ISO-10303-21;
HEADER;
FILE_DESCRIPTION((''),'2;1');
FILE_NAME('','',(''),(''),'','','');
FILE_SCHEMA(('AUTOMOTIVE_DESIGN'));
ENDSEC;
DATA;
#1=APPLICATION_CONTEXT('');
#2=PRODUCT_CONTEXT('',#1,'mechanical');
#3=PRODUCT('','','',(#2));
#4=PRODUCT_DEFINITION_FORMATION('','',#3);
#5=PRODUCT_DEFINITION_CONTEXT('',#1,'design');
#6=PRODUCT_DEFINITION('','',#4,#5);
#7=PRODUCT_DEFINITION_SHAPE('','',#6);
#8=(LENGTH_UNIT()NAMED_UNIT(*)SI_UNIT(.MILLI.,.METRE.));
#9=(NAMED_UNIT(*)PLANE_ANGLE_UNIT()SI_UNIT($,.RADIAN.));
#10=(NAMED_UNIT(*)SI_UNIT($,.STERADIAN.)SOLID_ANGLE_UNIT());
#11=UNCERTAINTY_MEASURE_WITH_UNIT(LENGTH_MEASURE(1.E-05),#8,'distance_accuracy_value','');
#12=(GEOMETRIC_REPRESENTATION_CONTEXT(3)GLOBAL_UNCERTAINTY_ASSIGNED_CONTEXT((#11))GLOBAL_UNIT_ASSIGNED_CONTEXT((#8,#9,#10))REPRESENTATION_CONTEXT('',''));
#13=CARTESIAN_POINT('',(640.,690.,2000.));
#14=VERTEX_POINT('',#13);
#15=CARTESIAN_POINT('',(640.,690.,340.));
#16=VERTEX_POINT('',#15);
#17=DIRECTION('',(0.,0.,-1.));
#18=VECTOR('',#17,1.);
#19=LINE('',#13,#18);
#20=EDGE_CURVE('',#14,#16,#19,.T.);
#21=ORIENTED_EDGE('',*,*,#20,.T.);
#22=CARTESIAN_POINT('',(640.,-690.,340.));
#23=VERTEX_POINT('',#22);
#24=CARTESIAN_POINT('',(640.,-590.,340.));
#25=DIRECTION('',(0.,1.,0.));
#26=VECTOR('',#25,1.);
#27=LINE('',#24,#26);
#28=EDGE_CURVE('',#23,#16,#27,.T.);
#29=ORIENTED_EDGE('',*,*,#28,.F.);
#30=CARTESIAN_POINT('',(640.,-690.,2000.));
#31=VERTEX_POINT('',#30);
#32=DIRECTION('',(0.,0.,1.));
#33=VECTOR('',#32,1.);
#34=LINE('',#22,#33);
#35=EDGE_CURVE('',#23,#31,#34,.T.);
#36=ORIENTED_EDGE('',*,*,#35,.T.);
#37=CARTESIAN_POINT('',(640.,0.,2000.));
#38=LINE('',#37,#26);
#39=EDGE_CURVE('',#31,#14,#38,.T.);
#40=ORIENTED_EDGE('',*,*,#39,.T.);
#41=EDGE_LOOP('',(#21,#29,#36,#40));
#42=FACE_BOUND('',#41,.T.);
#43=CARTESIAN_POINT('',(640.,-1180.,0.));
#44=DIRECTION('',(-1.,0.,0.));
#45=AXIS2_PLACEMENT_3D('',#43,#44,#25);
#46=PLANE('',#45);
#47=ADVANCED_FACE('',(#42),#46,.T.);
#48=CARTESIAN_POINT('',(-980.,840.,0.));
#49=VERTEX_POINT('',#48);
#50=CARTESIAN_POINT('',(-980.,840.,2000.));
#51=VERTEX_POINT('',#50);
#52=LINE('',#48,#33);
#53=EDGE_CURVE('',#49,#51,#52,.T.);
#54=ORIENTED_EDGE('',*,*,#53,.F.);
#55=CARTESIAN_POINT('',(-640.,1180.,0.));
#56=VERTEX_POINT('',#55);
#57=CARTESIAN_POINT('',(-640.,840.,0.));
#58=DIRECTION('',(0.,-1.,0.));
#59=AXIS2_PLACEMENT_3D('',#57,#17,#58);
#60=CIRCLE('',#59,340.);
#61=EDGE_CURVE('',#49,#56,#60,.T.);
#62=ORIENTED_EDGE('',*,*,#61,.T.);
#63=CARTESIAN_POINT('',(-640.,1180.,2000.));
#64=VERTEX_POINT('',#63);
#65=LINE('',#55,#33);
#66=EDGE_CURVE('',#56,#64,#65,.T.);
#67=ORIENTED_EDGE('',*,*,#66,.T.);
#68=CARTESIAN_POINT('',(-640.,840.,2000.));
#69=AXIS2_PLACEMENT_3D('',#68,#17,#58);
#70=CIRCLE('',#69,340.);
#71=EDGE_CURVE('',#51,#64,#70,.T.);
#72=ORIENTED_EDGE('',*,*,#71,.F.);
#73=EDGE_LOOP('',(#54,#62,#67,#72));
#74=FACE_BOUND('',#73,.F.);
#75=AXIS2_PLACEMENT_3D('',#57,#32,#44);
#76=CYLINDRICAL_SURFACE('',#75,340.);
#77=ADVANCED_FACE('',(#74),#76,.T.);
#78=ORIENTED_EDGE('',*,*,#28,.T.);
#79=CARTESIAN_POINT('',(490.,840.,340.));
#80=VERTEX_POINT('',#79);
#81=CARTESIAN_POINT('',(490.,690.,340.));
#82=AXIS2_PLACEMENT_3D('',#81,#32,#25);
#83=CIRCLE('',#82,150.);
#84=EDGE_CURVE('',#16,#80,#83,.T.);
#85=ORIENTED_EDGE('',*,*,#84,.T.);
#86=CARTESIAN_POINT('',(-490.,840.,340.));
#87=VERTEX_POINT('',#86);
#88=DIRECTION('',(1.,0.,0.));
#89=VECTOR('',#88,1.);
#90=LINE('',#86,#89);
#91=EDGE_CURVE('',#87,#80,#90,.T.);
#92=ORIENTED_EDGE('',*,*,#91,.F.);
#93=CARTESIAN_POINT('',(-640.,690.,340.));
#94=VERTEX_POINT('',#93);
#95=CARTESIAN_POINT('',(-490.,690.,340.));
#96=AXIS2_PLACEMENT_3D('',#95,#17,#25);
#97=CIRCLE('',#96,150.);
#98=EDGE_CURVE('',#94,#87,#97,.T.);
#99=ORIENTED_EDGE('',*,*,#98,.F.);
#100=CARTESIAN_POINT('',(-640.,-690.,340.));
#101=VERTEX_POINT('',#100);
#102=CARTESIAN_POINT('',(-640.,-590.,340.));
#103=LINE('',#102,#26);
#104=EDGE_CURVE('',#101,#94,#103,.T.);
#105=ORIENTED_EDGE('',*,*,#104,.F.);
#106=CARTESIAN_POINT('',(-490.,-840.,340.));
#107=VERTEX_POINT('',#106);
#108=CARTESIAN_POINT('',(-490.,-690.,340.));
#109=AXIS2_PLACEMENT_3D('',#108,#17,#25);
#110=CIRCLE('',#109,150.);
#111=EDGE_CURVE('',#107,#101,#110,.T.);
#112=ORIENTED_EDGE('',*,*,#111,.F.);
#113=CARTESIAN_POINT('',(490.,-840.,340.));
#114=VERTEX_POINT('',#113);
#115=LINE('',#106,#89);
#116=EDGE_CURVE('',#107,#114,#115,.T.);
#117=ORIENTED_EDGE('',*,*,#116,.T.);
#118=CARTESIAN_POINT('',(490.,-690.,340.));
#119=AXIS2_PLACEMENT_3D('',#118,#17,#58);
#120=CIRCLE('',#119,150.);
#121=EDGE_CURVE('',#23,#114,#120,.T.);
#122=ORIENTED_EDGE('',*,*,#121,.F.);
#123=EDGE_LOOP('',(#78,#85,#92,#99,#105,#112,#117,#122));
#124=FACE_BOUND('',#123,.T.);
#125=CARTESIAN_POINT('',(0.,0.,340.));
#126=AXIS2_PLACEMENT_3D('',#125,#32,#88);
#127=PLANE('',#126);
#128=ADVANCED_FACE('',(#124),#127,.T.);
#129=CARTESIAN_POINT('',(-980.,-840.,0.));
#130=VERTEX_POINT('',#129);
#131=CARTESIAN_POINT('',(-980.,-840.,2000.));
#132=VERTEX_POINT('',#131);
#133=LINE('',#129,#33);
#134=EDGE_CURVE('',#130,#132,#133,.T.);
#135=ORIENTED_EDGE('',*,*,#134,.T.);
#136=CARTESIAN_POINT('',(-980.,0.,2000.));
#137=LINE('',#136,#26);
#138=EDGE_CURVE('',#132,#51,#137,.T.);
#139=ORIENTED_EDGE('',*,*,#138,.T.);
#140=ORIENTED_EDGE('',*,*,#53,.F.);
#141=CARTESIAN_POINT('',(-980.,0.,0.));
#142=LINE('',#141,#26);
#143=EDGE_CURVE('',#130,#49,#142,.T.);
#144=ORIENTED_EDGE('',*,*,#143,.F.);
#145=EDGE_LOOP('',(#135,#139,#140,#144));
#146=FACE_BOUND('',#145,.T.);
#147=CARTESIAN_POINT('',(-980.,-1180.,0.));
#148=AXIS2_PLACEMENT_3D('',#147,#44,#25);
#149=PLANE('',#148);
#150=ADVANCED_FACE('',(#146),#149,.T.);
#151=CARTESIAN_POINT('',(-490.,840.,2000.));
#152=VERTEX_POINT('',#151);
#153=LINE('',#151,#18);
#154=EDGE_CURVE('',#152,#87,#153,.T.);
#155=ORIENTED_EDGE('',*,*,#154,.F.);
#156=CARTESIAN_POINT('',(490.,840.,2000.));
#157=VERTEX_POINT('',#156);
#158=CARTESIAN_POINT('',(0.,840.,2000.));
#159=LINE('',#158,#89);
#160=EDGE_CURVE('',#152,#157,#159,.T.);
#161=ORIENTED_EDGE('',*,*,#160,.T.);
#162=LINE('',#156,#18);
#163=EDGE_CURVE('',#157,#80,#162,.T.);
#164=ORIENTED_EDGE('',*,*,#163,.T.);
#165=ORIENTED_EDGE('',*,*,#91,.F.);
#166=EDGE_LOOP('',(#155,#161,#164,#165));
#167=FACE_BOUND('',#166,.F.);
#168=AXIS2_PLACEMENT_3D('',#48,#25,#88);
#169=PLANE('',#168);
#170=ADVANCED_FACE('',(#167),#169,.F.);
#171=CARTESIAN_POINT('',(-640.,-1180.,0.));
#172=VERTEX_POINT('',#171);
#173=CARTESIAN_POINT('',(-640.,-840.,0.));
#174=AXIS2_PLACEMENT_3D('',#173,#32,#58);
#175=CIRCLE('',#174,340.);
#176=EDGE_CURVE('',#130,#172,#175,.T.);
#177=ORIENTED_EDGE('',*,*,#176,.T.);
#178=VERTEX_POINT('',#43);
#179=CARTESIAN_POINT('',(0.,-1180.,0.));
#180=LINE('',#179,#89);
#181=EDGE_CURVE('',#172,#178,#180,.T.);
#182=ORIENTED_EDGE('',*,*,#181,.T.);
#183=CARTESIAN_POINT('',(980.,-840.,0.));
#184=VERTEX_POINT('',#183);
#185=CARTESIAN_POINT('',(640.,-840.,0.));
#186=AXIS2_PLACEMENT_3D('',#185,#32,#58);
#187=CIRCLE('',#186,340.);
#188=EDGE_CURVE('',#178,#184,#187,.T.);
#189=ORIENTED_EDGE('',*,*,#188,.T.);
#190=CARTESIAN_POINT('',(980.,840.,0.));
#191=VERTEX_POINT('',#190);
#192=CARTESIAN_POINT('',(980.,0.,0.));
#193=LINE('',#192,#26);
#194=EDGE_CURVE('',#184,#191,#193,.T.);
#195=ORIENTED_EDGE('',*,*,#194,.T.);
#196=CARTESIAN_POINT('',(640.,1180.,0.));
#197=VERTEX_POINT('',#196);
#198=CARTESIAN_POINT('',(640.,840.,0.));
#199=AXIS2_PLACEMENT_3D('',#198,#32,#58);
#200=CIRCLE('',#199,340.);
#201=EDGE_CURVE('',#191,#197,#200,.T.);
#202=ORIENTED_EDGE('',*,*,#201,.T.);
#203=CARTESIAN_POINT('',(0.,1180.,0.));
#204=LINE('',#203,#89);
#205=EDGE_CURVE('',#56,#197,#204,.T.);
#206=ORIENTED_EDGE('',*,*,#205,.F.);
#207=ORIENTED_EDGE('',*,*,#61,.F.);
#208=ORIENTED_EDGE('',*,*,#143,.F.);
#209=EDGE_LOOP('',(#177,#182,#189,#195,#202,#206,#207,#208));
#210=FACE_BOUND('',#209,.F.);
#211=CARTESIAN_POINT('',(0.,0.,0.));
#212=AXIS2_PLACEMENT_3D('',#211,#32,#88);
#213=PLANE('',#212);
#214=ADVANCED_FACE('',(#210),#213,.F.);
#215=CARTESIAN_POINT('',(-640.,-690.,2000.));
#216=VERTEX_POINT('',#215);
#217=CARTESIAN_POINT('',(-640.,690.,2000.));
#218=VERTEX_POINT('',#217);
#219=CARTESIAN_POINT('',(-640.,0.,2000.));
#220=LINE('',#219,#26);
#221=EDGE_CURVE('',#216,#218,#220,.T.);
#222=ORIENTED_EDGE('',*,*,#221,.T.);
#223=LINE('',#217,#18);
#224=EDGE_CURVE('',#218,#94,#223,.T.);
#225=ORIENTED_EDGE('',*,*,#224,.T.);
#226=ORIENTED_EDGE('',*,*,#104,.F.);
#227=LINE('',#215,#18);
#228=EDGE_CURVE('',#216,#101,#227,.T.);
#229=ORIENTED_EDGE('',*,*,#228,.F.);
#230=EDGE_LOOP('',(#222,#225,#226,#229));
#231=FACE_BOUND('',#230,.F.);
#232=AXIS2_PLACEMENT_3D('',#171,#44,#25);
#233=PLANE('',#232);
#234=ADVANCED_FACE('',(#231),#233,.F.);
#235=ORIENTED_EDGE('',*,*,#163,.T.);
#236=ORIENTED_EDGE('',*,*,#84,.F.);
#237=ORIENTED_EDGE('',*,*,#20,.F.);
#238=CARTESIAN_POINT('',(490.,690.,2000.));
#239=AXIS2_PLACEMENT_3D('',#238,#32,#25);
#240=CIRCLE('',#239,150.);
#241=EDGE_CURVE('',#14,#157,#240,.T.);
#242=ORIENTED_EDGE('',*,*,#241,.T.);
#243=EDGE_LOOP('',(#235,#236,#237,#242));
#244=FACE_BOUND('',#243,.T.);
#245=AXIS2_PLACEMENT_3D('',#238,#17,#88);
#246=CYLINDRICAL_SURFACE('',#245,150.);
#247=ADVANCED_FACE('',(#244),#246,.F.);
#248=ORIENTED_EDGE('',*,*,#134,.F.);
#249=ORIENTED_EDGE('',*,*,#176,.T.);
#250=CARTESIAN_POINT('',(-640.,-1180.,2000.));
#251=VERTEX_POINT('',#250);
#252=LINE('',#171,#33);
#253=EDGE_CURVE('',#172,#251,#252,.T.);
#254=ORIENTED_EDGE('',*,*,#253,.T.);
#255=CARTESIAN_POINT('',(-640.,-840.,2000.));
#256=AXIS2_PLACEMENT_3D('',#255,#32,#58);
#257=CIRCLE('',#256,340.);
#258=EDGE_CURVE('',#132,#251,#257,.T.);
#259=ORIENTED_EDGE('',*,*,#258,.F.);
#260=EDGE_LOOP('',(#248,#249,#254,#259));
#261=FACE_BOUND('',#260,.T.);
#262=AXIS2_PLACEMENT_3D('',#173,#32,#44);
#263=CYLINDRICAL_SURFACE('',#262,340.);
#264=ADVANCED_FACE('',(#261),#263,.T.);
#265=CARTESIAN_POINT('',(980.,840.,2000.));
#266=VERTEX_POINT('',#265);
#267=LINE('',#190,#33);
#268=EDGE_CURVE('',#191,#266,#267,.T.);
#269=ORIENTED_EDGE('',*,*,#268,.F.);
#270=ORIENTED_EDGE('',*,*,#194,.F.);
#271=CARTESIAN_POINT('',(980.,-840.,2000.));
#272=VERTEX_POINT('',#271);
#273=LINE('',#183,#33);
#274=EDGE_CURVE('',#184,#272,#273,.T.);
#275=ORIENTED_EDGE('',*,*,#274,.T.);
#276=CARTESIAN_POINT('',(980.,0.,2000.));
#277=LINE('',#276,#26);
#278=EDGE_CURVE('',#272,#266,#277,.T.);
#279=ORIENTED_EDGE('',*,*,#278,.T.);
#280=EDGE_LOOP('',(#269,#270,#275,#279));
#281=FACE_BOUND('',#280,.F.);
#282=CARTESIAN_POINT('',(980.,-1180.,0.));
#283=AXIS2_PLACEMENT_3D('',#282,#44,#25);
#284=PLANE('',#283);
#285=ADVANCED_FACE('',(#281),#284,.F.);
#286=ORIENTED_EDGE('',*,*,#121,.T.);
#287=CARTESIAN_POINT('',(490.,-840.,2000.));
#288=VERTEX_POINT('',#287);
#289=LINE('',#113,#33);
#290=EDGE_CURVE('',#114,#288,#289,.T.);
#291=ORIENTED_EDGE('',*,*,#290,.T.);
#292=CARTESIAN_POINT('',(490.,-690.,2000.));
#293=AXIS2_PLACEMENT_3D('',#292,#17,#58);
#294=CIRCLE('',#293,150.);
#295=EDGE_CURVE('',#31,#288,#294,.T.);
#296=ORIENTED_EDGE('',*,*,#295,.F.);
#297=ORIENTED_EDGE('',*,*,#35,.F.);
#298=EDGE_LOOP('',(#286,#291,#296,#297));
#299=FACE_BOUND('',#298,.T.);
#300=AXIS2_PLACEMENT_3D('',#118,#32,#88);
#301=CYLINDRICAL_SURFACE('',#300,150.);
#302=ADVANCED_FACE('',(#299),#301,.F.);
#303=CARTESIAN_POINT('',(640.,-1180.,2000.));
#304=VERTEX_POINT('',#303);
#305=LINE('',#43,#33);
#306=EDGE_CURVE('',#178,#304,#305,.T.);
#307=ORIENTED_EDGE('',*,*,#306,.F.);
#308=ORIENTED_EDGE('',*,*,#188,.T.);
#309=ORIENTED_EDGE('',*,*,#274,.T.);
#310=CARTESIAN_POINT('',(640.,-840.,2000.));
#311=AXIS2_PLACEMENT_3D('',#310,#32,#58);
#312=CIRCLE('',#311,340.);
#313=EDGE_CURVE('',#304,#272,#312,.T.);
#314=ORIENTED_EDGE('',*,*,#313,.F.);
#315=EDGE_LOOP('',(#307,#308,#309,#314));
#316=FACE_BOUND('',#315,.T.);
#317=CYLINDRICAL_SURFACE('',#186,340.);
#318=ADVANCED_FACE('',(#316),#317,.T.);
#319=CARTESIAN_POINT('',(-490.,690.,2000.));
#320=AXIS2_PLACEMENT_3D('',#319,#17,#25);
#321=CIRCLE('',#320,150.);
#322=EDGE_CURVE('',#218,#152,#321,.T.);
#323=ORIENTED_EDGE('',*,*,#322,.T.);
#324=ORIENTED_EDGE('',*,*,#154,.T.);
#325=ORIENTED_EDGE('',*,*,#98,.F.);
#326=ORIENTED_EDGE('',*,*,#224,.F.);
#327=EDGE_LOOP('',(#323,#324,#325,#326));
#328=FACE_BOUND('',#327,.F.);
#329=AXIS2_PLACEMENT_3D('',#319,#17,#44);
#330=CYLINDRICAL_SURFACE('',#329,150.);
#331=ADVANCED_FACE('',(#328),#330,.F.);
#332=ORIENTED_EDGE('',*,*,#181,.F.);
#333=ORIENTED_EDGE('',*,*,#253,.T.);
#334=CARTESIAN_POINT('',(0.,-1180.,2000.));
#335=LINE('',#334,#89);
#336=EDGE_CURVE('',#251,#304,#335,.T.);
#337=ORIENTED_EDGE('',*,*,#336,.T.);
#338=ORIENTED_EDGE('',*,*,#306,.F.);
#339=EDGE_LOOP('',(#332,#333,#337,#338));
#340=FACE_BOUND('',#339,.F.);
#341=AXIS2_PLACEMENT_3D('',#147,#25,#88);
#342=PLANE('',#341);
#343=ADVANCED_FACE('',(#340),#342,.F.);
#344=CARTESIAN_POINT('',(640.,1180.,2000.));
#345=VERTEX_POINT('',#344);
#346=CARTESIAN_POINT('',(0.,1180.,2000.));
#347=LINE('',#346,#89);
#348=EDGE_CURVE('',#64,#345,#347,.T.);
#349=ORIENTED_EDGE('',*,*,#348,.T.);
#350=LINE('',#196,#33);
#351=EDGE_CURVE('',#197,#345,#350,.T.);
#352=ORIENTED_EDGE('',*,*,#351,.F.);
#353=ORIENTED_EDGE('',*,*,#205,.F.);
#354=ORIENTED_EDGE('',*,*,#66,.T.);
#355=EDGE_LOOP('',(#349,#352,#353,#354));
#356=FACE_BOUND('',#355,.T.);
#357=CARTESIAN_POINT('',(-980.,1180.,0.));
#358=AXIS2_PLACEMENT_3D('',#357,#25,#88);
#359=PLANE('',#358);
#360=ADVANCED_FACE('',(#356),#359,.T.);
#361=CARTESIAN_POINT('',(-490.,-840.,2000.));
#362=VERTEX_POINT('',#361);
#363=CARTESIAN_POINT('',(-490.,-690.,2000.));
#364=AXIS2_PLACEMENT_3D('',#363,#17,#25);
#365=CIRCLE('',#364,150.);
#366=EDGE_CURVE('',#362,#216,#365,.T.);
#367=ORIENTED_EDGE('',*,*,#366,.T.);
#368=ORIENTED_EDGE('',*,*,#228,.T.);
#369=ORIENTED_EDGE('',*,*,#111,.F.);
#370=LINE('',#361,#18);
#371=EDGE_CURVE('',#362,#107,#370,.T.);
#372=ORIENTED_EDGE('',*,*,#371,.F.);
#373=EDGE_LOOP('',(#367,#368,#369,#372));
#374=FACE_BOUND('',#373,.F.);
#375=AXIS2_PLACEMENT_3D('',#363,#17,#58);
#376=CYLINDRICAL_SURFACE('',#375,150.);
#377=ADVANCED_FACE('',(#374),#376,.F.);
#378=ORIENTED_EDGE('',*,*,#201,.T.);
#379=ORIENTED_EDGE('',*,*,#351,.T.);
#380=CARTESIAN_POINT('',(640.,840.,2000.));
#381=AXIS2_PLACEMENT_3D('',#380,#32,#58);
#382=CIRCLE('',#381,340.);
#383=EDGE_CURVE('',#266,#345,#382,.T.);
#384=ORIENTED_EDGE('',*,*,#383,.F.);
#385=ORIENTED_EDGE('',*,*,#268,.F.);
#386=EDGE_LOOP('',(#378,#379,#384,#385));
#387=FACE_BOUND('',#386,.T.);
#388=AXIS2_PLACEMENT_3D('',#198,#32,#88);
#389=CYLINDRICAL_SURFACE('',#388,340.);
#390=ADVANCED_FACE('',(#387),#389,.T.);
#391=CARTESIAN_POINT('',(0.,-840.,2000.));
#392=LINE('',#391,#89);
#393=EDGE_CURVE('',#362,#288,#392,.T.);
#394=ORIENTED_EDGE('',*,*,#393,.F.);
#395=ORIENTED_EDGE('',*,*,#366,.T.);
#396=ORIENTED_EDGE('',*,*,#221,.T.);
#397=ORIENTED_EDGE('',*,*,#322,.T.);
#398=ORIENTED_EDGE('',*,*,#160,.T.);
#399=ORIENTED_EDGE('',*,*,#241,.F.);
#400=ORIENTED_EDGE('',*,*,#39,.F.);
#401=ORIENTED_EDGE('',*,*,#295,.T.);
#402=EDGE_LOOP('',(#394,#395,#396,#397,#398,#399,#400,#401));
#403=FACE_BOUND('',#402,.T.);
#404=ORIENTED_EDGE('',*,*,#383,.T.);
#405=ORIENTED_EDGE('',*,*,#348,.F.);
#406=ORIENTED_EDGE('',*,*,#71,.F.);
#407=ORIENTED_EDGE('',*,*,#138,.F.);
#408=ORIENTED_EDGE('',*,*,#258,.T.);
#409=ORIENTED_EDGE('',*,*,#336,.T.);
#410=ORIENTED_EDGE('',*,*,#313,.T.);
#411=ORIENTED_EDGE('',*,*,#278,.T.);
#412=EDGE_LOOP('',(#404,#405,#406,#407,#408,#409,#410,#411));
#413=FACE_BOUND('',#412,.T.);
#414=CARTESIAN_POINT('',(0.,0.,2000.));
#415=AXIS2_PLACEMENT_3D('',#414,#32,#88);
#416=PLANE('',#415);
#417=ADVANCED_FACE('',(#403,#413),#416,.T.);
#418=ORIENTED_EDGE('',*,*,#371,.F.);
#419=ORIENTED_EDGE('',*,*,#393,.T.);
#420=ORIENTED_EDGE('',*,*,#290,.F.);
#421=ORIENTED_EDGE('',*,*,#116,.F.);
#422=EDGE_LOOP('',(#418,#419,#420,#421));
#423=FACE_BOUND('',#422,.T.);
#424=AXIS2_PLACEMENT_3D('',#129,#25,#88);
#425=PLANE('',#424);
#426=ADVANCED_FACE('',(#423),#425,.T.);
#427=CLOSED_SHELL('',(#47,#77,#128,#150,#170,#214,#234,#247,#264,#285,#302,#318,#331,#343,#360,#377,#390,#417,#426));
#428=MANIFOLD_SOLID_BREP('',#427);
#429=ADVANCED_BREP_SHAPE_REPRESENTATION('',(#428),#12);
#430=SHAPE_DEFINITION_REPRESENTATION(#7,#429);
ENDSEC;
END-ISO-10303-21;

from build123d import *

# Parameters (mm, degrees)
F0_W     = 1960
F0_H     = 2360
F1_DEPTH = 2000
F2_T     = -340
F3_R     = 340
F4_R     = 150


with BuildPart() as f1:
    # F0 (on Top) → F1 (new body)
    with BuildSketch(Plane.XY):
        Rectangle(F0_W, F0_H)
    extrude(amount=F1_DEPTH)

    # F2
    f2_openings = [f1.faces().sort_by_distance(p)[0] for p in [
        (0, 0, 2000),
    ]]
    offset(amount=F2_T, openings=f2_openings)

    # F3
    f3_edges = [f1.edges().sort_by_distance(p)[0] for p in [
        (-980, 1180, 1000),
        (980, 1180, 1000),
        (-980, -1180, 1000),
        (980, -1180, 1000),
    ]]
    fillet(f3_edges, radius=F3_R)

    # F4
    f4_edges = [f1.edges().sort_by_distance(p)[0] for p in [
        (640, 840, 1170),
        (640, -840, 1170),
        (-640, -840, 1170),
        (-640, 840, 1170),
    ]]
    fillet(f4_edges, radius=F4_R)


solid = f1.part
